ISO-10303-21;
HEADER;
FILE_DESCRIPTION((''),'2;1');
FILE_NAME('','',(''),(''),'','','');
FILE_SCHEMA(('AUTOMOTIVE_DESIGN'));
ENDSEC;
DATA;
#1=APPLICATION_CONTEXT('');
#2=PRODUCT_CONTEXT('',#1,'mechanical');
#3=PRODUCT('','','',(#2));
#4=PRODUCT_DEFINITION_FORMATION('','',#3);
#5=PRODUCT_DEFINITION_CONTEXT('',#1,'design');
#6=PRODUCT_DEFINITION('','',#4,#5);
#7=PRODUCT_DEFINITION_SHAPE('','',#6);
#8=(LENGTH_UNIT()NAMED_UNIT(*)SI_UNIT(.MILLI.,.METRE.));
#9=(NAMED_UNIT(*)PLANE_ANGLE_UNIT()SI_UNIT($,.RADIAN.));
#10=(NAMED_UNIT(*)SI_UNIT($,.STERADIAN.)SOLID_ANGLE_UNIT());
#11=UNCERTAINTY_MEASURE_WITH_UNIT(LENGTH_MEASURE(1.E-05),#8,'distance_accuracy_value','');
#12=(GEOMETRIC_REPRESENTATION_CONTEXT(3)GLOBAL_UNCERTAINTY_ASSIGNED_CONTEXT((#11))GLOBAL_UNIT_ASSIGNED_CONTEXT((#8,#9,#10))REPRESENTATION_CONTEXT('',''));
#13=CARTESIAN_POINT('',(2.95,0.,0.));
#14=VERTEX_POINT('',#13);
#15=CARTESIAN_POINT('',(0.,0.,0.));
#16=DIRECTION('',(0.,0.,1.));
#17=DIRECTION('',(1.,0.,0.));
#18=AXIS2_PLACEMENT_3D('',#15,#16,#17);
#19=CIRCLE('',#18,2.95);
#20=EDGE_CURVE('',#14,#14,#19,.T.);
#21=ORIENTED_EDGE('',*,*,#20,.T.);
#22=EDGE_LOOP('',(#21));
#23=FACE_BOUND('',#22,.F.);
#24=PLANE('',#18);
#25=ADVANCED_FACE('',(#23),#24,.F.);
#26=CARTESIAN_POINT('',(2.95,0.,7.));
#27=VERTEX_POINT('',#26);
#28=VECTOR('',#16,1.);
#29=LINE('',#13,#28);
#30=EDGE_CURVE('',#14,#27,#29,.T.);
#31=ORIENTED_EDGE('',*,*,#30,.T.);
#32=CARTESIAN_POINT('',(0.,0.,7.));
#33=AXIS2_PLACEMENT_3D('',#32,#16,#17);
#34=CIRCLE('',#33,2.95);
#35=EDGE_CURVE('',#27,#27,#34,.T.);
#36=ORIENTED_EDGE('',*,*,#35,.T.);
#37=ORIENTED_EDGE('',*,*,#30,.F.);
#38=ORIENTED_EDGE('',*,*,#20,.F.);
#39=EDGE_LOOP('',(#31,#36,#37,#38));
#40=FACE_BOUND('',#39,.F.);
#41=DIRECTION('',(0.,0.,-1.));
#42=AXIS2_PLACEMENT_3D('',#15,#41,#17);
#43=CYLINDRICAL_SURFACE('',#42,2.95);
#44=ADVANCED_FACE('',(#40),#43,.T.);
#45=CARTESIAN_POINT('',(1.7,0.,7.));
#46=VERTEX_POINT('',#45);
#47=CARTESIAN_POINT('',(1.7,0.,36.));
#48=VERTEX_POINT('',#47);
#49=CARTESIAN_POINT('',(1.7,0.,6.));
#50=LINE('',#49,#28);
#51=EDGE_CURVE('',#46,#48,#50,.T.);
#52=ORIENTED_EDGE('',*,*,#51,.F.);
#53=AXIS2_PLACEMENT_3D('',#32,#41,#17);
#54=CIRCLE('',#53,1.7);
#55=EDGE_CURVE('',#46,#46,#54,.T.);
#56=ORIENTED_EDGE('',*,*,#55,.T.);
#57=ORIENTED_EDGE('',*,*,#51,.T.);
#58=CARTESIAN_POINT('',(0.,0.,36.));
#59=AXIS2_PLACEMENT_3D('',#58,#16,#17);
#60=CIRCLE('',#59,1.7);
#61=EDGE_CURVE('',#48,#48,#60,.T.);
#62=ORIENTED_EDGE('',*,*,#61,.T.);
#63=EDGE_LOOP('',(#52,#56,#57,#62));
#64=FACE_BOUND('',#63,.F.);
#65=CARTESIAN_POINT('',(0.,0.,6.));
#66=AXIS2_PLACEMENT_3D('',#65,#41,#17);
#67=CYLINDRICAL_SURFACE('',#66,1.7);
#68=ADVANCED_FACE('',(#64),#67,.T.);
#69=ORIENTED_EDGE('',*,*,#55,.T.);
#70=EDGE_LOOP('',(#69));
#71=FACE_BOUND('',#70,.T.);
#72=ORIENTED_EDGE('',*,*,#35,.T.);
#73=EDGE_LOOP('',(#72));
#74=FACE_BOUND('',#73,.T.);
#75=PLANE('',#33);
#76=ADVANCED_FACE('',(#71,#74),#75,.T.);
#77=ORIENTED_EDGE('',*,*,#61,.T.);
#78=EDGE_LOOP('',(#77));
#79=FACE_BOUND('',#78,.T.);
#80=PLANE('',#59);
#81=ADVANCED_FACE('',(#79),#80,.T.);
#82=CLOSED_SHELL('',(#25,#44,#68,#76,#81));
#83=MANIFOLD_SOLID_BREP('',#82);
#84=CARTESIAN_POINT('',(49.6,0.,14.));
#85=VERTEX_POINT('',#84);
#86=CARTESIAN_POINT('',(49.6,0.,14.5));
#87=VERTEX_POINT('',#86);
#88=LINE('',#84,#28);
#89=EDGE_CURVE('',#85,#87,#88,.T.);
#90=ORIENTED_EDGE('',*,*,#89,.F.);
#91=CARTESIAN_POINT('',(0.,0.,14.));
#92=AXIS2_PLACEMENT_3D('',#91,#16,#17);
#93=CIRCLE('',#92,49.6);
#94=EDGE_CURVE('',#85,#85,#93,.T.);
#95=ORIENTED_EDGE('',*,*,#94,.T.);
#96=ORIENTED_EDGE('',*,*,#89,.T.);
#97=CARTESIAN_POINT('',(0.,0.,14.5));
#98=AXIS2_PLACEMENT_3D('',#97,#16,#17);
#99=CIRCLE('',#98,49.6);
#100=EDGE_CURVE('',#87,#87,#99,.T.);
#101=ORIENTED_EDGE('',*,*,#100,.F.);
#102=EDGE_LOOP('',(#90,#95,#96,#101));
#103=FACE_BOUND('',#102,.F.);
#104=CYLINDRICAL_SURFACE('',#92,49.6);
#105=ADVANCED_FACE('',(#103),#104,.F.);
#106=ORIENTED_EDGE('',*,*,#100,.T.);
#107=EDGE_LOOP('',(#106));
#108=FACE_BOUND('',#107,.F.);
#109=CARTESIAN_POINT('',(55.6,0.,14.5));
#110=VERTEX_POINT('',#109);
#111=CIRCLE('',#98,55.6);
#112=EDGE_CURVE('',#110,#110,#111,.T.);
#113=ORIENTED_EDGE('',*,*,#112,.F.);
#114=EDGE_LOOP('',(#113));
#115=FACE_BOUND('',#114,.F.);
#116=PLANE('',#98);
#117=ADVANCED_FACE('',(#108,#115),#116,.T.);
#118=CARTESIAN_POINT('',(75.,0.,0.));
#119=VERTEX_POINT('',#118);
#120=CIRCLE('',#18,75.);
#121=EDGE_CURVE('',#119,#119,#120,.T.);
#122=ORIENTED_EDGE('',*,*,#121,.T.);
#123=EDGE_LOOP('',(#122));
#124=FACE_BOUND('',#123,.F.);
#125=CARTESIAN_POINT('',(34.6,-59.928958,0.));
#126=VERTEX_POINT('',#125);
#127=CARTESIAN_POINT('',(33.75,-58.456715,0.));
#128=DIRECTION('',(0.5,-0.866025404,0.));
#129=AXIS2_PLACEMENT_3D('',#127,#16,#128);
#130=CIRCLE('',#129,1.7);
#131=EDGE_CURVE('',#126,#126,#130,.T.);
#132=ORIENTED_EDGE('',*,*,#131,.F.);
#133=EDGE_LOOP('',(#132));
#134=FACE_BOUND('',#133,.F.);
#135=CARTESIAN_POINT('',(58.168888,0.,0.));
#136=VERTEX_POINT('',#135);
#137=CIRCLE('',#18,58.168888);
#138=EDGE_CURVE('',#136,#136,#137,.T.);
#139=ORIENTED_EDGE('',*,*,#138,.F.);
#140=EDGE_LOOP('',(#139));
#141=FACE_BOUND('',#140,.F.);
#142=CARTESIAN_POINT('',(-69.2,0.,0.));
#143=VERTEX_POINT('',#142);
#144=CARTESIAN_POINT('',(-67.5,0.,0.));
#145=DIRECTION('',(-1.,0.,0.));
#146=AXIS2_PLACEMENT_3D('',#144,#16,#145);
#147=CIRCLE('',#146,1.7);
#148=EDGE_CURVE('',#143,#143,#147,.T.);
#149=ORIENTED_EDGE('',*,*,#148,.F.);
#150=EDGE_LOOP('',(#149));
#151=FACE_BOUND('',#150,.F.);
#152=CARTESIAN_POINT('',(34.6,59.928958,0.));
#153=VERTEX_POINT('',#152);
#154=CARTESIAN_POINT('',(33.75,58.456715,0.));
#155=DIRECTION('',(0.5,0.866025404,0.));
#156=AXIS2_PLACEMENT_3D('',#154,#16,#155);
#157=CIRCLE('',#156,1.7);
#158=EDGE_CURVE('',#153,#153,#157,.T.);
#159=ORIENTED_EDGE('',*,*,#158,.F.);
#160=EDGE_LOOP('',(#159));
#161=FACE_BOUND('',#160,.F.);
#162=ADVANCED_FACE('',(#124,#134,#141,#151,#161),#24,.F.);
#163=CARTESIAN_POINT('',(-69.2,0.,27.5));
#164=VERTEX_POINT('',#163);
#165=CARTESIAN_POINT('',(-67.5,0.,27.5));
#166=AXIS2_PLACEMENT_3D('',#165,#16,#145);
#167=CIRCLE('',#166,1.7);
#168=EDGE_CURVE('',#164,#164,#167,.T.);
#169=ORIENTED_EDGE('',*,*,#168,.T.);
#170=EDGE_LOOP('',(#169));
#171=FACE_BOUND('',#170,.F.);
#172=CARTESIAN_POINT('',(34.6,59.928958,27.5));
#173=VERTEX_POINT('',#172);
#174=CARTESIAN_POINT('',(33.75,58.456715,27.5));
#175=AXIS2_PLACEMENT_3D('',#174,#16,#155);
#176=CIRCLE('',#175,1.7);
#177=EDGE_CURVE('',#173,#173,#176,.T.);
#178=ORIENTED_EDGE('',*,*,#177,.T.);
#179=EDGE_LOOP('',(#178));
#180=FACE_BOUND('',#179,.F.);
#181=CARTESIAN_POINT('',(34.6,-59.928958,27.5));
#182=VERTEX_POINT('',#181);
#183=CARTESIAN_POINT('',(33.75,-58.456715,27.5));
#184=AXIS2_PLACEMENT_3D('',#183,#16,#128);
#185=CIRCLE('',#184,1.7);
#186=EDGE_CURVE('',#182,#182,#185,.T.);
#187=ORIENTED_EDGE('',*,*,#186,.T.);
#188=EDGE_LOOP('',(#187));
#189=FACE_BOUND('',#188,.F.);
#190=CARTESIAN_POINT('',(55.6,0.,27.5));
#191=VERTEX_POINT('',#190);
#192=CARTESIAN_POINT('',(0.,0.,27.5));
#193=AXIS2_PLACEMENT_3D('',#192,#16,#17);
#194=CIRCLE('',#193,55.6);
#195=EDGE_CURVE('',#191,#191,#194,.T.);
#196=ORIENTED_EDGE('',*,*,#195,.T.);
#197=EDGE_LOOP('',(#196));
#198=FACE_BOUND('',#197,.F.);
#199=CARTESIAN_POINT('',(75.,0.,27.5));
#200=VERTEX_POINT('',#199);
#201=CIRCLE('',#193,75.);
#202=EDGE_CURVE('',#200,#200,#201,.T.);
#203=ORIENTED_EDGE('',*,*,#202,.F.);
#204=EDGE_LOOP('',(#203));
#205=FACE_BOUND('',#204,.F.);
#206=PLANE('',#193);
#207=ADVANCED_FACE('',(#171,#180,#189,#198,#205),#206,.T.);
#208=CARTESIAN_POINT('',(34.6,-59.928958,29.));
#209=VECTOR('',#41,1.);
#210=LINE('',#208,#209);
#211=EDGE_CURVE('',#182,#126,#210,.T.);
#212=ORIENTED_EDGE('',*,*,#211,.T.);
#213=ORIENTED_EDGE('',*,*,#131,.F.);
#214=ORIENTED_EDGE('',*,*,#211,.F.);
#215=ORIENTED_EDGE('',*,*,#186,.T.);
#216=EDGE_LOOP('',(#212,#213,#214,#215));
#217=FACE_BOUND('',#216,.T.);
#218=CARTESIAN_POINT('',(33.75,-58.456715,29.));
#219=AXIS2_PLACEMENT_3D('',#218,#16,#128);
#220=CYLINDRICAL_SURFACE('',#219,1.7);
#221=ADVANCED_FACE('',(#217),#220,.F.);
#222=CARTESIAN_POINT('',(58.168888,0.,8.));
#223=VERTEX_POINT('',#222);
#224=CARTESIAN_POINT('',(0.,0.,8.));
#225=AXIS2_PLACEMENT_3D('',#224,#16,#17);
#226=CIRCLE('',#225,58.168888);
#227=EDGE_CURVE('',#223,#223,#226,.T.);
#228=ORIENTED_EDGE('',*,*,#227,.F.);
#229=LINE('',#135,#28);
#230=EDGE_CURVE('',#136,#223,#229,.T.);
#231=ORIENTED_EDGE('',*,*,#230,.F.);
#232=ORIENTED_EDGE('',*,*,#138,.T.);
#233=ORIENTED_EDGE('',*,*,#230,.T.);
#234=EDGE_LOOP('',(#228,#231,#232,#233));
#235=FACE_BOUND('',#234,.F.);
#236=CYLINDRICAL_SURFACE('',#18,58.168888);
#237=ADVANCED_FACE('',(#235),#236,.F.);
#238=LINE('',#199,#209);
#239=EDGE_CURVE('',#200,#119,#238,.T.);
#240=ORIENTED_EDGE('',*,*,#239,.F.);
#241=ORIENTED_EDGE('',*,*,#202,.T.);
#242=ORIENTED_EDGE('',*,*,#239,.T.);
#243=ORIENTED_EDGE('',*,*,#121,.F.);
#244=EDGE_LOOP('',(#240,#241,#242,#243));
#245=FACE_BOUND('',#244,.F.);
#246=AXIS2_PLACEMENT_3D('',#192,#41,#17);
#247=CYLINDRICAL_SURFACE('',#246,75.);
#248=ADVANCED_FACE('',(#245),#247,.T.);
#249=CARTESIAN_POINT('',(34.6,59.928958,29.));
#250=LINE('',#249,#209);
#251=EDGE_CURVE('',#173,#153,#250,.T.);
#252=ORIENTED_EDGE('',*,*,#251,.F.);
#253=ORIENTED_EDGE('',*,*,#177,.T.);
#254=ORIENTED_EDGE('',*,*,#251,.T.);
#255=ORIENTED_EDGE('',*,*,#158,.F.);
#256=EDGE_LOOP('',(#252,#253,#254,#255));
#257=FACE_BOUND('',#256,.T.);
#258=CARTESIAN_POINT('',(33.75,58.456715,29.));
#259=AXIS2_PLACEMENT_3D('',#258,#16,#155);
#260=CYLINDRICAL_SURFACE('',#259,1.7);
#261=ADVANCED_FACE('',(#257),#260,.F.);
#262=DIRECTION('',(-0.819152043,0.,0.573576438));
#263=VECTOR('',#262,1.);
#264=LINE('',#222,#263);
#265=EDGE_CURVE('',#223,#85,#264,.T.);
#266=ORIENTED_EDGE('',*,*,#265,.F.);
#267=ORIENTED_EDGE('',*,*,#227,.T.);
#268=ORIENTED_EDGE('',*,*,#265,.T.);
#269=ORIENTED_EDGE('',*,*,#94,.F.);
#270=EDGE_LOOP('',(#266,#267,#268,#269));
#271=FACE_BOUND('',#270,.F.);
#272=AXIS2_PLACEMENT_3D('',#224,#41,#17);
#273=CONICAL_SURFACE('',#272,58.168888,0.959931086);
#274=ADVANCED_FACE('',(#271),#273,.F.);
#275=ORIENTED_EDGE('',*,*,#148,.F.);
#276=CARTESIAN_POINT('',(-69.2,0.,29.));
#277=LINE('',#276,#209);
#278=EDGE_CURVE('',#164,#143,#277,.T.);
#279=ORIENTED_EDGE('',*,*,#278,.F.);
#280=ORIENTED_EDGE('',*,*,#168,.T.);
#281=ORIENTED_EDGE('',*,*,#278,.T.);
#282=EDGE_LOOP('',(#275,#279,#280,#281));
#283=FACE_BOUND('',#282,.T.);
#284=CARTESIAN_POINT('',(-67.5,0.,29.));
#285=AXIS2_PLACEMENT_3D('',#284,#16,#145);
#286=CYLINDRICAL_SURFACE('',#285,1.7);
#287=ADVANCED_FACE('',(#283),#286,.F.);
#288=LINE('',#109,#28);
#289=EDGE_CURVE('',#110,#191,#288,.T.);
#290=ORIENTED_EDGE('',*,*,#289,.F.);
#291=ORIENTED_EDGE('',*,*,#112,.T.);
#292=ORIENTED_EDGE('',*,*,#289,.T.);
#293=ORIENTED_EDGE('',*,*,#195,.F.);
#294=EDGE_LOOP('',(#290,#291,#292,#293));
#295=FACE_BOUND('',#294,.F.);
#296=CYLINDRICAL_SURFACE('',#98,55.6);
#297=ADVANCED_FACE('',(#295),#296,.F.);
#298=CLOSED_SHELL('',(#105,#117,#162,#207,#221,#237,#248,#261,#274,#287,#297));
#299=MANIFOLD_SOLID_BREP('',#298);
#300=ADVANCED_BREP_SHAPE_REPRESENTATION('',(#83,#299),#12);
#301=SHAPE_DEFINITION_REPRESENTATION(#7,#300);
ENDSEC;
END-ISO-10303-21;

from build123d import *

# Parameters (mm, degrees)
CYLINDER_R               = 2.95
CYLINDER_DEPTH           = 7
CYLINDER001_R            = 1.7
CYLINDER001_DEPTH        = 30
CLONE393_PLACEMENT_ANGLE = 180
ARRAY021_COUNT           = 3


with BuildPart() as m3bolthead:
    # Cylinder → Cylinder (new body)
    with BuildSketch(Plane.XY):
        Circle(CYLINDER_R)
    extrude(amount=CYLINDER_DEPTH)


with BuildPart() as m3bolt:
    # Cylinder001 → Cylinder001 (new body)
    with BuildSketch(Plane.XY.offset(6)):
        Circle(CYLINDER001_R)
    extrude(amount=CYLINDER001_DEPTH)

    # Fusion: union M3BoltHead
    add(m3bolthead.part)


with BuildPart() as array021:
    # Clone393 base: copy of M3Bolt
    add(m3bolt.part)


with BuildPart() as array021_1:
    # Clone393 placement: moved
    add(array021.part.moved(Location((-67.5, 0, 35))).rotate(Axis((-67.5, 0, 35), (0, 1, 0)), CLONE393_PLACEMENT_ANGLE))

    # Array021: Array021 ×3 about axis
    array021_axis = Axis((0, 0, 0), (0, 0, 1))


with BuildPart() as array021_2:
    add(array021_1.part)
    for i in range(1, ARRAY021_COUNT):
        add(array021_1.part.rotate(array021_axis, i * 360 / ARRAY021_COUNT))


with BuildPart() as basetop:
    # Sketch076 → Revolution021 (revolve)
    with BuildSketch(Plane.XZ):
        Polygon((58.168888, 0), (58.168888, 8), (49.6, 14), (49.6, 14.5), (55.6, 14.5), (55.6, 27.5), (75, 27.5), (75, 0), align=None)
    revolve(axis=Axis((0, 0, 0), (0, 0, 1)))

    # Cut128: cut Array021
    add(array021_2.part, mode=Mode.SUBTRACT)


solid = Compound([m3bolt.part, basetop.part])
